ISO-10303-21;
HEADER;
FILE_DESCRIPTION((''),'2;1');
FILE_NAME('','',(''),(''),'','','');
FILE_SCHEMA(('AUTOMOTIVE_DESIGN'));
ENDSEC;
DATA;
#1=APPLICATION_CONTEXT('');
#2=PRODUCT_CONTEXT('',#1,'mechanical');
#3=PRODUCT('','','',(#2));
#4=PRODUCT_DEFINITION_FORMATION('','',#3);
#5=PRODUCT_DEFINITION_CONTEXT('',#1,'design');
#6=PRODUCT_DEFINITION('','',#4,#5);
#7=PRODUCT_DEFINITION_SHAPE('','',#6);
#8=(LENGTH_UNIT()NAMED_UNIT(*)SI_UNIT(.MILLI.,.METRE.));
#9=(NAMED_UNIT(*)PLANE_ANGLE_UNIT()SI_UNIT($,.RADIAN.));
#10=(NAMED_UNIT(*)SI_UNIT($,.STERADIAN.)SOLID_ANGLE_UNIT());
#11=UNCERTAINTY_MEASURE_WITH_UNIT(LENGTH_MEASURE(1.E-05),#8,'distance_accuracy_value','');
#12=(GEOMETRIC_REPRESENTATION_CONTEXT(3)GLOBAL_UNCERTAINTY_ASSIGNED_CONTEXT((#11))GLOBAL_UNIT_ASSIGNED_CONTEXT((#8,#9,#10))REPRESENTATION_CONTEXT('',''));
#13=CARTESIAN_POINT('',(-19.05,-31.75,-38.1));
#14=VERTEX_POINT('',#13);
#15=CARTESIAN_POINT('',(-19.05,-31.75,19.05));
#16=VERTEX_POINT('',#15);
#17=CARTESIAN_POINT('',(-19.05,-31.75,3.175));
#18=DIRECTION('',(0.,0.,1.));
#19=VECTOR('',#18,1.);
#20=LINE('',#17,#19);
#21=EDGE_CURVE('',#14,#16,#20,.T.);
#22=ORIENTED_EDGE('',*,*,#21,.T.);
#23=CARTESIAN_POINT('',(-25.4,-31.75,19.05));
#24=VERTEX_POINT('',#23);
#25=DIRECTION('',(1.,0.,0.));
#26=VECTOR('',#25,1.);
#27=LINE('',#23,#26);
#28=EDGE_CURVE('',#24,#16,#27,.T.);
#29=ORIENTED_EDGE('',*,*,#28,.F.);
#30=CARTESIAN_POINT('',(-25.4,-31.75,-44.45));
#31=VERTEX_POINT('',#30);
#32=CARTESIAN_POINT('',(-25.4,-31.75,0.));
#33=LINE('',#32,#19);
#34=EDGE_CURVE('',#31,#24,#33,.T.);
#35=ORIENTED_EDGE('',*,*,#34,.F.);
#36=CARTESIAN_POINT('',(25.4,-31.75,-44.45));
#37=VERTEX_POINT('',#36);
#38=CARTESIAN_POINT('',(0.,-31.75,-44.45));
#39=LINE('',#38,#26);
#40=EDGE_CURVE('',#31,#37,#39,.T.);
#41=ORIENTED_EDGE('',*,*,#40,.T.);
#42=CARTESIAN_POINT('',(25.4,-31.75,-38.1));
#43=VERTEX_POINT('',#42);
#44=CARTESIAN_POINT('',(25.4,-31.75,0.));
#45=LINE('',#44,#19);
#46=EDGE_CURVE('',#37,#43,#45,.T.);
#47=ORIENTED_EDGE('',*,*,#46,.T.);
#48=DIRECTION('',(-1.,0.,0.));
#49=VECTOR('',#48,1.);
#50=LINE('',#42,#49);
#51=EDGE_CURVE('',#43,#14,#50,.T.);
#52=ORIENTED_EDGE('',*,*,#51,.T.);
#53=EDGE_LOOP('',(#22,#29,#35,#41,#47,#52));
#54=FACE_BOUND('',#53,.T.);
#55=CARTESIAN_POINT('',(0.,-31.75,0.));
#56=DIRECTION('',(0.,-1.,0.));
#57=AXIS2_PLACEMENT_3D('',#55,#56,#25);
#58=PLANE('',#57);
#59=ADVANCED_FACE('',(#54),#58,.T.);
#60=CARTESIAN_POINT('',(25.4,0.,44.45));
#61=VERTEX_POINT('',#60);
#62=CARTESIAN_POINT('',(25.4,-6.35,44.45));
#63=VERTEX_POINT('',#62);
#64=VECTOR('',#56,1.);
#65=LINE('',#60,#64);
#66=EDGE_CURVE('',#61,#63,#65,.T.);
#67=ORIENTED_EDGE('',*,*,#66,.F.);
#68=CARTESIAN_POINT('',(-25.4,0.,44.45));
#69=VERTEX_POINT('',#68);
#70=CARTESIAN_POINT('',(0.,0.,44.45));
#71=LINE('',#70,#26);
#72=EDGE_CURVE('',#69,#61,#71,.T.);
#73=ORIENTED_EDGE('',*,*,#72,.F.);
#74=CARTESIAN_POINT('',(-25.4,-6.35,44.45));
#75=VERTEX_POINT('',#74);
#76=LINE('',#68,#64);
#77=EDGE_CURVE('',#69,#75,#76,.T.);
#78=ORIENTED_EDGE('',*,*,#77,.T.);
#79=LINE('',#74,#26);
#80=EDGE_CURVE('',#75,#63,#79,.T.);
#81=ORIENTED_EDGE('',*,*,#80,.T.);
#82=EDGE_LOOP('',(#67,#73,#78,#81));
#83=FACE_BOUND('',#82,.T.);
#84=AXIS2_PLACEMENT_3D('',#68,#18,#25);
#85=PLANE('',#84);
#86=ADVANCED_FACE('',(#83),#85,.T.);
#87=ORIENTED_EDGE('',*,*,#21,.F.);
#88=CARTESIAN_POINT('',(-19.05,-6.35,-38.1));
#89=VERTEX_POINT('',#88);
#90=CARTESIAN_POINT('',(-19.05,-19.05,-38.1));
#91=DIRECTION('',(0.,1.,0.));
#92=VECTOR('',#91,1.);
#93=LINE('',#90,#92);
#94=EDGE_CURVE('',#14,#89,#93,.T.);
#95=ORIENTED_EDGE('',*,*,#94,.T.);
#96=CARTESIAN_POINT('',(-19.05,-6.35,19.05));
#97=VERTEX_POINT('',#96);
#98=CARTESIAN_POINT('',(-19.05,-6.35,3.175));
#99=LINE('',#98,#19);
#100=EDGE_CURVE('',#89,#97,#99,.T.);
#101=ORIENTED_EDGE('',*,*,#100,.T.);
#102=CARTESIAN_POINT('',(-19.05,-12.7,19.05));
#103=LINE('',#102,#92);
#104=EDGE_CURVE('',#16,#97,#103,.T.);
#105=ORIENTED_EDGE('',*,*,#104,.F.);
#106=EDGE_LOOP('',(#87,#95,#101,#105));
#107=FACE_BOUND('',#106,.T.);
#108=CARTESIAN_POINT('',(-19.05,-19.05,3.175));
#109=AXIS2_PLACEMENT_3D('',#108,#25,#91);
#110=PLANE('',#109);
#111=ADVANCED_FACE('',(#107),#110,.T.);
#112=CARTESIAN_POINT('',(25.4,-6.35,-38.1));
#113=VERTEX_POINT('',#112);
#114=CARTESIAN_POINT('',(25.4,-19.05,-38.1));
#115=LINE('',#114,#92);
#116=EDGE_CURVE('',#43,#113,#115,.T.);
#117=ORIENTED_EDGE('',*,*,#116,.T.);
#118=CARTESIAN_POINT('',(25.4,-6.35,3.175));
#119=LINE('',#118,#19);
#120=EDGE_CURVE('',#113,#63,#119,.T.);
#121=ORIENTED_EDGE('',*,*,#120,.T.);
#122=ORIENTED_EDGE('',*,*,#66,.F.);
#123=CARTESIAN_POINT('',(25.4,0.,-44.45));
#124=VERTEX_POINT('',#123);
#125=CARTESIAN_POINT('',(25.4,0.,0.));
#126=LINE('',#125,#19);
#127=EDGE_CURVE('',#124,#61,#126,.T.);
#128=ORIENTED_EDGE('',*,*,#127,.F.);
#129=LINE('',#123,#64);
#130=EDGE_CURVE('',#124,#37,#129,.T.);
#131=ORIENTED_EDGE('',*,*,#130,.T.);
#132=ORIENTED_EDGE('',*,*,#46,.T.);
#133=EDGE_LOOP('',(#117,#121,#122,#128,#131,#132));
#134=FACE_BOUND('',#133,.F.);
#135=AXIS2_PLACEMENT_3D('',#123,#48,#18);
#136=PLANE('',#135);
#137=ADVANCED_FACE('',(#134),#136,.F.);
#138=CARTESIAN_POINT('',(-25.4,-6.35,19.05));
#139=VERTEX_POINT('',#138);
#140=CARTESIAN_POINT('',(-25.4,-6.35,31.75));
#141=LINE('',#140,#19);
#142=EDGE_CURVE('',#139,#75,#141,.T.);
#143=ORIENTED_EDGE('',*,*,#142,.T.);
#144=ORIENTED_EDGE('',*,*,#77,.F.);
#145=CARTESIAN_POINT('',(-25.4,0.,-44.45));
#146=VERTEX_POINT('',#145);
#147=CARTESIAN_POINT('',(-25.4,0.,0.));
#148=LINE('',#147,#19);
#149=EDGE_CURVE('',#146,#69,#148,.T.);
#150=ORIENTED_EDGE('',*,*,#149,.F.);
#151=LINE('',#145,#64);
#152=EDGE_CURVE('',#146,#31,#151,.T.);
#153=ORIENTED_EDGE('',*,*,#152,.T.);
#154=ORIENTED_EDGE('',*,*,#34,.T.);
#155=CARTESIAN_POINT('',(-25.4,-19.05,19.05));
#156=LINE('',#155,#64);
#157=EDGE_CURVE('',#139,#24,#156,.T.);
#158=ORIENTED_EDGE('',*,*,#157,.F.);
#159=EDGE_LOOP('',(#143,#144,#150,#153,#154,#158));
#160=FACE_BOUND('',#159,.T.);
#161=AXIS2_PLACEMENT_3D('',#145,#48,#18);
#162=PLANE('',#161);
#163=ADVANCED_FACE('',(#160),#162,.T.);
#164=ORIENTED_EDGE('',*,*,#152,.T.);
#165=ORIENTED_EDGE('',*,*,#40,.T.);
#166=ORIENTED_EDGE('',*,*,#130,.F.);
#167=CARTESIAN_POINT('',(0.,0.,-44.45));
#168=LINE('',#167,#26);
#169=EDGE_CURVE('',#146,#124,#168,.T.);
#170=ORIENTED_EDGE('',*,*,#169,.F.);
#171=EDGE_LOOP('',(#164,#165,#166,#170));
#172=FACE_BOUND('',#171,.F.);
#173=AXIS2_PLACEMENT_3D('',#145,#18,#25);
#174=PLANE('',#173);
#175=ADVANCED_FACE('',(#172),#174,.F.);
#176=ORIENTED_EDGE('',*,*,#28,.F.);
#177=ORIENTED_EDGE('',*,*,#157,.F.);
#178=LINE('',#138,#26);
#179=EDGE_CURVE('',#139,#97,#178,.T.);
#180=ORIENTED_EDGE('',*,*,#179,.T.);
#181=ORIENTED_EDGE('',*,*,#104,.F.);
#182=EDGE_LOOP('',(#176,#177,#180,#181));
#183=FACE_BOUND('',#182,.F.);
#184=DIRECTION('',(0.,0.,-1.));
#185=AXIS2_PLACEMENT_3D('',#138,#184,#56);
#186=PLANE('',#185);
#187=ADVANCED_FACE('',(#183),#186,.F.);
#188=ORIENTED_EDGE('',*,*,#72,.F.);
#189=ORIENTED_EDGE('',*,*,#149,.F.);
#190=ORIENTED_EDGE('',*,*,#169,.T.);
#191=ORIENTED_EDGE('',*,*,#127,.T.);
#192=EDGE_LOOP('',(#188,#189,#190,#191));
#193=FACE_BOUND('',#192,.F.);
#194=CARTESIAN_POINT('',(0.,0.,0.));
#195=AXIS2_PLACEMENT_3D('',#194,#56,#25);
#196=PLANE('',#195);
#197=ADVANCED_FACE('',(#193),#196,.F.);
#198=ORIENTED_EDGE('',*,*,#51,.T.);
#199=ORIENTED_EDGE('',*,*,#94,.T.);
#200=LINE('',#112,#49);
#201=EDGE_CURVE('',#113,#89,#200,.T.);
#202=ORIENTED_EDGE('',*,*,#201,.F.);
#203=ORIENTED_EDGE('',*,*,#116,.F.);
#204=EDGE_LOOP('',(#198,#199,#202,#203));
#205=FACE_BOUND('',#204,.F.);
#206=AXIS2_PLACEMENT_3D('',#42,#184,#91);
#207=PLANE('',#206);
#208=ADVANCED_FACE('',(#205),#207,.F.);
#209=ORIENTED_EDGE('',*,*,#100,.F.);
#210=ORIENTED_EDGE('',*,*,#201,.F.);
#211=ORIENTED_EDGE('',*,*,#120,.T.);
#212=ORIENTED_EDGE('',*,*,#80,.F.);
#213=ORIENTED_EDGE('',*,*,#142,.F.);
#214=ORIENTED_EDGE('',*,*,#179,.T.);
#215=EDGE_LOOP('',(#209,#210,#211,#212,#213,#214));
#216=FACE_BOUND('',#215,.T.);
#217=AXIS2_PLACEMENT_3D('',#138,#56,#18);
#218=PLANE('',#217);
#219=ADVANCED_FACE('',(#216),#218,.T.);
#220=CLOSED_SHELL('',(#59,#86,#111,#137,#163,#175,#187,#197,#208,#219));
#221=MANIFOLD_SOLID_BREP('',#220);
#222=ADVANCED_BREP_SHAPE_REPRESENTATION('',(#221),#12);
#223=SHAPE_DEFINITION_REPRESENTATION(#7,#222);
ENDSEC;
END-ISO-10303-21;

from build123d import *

# Parameters (mm, degrees)
F0_W     = 50.8
F0_H     = 88.9
F1_DEPTH = 31.75
F2_W     = 25.4
F2_H     = 82.55
F3_DEPTH = 44.45
F4_W     = 25.4
F4_H     = 25.4
F5_DEPTH = 25.4


with BuildPart() as f1:
    # F0 (on Front) → F1 (new body)
    with BuildSketch(Plane.XZ):
        Rectangle(F0_W, F0_H)
    extrude(amount=F1_DEPTH)

    # F2 (on face) → F3 (cut)
    with BuildSketch(Plane.YZ.offset(25.4)):
        with Locations((-19.05, 3.175)):
            Rectangle(F2_W, F2_H)
    extrude(amount=-F3_DEPTH, mode=Mode.SUBTRACT)

    # F4 (on face) → F5 (cut)
    with BuildSketch(Plane(origin=(-25.4, 0, 0), x_dir=(0, -1, 0), z_dir=(-1, 0, 0))):
        with Locations((19.05, 31.75)):
            Rectangle(F4_W, F4_H)
    extrude(amount=-F5_DEPTH, mode=Mode.SUBTRACT)


solid = f1.part
